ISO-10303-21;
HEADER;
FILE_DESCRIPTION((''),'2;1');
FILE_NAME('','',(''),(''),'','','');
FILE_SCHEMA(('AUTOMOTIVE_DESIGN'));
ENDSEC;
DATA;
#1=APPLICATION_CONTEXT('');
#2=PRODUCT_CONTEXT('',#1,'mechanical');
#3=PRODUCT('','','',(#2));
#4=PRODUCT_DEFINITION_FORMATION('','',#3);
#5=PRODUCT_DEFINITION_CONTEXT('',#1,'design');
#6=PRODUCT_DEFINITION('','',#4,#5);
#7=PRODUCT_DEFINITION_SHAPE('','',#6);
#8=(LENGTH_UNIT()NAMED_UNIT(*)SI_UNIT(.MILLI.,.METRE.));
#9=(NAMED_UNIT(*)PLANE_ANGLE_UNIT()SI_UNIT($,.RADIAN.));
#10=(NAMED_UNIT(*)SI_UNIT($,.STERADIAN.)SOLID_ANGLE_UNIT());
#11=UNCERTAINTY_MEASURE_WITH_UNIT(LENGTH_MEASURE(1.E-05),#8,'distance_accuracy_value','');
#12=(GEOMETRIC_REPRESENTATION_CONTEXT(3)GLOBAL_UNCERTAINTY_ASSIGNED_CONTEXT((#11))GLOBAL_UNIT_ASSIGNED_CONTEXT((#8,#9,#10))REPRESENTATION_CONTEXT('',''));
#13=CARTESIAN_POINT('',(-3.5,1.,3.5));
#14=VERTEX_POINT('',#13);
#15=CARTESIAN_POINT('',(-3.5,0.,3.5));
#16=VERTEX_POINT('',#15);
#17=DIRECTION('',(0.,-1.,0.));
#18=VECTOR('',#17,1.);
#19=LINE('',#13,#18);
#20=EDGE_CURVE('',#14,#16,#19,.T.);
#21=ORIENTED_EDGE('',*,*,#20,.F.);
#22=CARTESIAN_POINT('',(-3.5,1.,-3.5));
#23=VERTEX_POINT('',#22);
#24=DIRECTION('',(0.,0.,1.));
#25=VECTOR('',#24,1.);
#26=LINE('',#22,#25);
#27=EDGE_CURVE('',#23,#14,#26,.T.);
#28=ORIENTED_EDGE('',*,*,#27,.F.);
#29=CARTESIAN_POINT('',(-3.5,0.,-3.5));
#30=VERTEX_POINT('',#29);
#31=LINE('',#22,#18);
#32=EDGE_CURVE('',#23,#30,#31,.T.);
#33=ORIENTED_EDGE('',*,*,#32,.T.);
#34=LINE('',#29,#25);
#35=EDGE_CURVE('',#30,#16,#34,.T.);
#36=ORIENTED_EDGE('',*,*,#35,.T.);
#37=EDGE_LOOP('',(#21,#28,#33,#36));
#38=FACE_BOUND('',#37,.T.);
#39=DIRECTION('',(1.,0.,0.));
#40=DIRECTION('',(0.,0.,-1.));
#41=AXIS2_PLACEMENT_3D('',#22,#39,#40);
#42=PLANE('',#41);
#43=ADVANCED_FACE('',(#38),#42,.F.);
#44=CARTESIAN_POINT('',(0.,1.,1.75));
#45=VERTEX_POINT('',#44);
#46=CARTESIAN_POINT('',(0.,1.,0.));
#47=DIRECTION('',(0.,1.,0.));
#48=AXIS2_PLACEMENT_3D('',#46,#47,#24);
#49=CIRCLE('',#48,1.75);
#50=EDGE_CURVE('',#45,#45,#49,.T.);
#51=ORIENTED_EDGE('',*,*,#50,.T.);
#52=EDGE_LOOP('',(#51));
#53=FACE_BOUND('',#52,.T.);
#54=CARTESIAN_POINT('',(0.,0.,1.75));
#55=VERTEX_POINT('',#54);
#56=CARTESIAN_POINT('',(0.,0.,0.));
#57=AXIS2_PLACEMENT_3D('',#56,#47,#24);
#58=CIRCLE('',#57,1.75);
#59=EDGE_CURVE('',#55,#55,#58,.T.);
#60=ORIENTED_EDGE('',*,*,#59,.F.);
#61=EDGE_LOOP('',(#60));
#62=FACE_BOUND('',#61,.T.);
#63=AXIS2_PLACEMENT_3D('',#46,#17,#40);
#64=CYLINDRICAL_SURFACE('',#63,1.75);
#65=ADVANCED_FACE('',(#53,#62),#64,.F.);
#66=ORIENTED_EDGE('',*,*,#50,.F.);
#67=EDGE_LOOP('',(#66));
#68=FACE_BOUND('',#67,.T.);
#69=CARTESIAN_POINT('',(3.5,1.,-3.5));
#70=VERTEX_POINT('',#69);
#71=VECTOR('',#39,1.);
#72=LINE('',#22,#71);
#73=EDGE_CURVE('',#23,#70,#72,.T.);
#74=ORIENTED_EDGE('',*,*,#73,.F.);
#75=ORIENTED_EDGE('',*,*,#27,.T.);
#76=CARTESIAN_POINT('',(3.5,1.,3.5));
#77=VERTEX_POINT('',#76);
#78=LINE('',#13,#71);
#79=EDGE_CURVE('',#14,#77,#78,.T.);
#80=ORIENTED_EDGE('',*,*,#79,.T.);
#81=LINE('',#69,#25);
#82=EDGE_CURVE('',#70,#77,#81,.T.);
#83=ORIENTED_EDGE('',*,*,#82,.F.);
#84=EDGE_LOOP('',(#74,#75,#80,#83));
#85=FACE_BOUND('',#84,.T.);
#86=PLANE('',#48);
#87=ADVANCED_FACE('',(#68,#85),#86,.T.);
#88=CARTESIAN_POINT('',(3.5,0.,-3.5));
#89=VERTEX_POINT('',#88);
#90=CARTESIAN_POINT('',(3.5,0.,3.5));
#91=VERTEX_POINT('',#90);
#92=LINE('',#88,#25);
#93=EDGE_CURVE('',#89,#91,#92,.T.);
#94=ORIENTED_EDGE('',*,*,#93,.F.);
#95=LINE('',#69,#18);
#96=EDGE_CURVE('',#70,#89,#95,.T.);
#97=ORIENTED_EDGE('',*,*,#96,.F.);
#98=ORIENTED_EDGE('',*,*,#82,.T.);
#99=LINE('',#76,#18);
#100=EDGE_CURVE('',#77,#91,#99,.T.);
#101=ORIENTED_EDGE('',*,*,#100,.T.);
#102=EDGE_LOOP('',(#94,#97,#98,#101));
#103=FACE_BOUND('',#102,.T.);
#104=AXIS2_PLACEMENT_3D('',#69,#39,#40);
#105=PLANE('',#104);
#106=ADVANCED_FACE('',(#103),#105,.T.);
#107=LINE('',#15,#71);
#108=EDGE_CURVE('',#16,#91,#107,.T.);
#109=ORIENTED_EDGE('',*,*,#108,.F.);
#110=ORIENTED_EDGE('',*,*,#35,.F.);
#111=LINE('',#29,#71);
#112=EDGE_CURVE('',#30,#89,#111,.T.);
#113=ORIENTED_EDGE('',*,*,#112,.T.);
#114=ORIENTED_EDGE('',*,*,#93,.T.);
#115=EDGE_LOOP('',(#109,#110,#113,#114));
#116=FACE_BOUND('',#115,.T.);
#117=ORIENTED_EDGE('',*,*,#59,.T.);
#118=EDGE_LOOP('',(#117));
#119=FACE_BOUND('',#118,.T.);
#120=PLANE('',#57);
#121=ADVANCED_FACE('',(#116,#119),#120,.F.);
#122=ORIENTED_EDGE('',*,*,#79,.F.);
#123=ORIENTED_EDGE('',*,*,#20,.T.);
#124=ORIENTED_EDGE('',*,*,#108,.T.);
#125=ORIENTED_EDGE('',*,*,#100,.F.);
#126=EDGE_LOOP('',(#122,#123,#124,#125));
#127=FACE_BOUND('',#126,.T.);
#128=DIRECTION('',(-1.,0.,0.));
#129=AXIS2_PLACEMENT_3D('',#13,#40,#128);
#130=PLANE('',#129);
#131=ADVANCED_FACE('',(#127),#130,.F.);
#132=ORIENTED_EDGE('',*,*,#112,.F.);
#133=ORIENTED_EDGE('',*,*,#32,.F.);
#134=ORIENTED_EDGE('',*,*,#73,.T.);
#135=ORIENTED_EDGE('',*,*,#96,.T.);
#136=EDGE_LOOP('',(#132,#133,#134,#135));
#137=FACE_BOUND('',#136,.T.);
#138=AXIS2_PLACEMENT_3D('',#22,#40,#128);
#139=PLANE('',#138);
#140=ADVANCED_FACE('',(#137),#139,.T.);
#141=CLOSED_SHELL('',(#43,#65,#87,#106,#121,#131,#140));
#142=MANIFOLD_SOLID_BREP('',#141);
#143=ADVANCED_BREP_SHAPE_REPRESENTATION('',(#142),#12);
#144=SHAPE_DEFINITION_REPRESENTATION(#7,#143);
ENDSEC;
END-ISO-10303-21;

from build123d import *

# Parameters (mm, degrees)
SKETCH_1_W      = 7
SKETCH_1_H      = 7
SKETCH_1_R      = 1.75
EXTRUDE_1_DEPTH = 1


with BuildPart() as part:
    # 草图1 → 凸台-拉伸1 (new body)
    with BuildSketch(Plane(origin=(0, 0, 0), x_dir=(1, 0, 0), z_dir=(0, 1, 0))):
        Rectangle(SKETCH_1_W, SKETCH_1_H)
        with Locations(Location((0, 0, 0), (0, 0, 270))):
            Circle(SKETCH_1_R, mode=Mode.SUBTRACT)
    extrude(amount=EXTRUDE_1_DEPTH)


solid = part.part
